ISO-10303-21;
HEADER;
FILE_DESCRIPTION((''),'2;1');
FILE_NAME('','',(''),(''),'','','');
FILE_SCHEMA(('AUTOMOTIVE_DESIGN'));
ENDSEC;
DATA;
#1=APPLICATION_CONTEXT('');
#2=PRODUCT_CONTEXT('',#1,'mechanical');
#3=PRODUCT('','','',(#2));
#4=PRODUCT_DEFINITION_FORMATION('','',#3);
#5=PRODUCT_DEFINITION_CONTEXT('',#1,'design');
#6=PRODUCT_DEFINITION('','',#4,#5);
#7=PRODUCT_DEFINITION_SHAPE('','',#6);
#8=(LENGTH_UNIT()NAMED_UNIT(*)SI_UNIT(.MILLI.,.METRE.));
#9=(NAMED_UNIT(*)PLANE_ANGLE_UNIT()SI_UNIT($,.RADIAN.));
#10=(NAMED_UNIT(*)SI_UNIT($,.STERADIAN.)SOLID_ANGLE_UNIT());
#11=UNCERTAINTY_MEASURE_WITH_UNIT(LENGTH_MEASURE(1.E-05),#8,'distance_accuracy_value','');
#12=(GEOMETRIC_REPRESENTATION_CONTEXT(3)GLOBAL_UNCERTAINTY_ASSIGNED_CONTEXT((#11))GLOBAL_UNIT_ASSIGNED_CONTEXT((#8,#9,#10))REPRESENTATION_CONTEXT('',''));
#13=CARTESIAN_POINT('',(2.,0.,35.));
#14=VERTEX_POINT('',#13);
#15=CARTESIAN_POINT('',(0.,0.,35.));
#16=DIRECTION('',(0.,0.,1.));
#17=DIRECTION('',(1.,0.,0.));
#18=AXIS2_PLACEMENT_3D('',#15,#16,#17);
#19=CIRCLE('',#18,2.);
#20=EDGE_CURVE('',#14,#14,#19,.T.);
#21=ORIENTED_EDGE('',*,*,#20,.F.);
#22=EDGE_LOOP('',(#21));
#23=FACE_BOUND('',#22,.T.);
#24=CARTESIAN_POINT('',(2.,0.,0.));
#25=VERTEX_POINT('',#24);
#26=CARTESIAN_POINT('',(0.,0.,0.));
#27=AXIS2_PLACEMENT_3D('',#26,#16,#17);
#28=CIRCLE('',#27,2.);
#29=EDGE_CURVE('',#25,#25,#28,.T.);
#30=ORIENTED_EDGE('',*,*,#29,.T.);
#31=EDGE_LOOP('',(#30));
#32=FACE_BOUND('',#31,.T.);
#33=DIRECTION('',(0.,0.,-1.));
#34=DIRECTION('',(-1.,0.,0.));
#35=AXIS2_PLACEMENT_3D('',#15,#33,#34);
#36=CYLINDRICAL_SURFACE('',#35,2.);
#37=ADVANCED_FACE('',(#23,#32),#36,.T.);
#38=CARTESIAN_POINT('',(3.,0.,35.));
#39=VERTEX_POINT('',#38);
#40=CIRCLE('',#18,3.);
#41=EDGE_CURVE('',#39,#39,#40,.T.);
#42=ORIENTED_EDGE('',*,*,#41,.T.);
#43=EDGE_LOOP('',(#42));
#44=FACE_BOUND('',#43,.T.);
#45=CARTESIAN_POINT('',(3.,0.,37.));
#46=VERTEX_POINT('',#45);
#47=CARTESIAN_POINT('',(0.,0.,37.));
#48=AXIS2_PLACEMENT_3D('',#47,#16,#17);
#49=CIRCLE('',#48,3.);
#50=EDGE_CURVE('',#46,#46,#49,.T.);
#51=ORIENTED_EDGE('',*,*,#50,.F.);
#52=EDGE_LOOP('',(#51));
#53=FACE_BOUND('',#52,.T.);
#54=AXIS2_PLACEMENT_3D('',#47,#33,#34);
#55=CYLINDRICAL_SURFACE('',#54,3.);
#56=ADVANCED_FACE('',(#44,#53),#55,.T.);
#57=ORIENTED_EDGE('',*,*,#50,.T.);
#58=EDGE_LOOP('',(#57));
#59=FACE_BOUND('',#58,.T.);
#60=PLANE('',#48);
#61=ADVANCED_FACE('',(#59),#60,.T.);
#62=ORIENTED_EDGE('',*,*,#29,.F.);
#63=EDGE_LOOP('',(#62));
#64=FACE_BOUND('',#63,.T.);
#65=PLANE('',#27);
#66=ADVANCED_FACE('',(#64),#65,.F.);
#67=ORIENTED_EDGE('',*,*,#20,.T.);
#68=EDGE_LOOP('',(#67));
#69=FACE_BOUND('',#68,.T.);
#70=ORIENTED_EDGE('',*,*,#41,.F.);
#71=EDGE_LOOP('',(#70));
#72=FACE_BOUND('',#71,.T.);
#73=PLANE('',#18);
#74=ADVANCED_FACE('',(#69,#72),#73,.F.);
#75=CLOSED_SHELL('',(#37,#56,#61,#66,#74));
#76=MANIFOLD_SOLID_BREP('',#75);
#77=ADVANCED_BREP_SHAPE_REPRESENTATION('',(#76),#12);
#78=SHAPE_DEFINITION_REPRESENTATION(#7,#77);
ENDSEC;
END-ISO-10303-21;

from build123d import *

# Parameters (mm, degrees)
SKETCH1_R           = 2
BOSS_EXTRUDE2_DEPTH = 35
SKETCH3_R           = 3
BOSS_EXTRUDE3_DEPTH = 2


with BuildPart() as part:
    # Sketch1 → Boss-Extrude2 (new body)
    with BuildSketch(Plane.XY):
        Circle(SKETCH1_R)
    extrude(amount=BOSS_EXTRUDE2_DEPTH)

    # Sketch3 → Boss-Extrude3 (add)
    with BuildSketch(Plane.XY.offset(35)):
        Circle(SKETCH3_R)
    extrude(amount=BOSS_EXTRUDE3_DEPTH)


solid = part.part
